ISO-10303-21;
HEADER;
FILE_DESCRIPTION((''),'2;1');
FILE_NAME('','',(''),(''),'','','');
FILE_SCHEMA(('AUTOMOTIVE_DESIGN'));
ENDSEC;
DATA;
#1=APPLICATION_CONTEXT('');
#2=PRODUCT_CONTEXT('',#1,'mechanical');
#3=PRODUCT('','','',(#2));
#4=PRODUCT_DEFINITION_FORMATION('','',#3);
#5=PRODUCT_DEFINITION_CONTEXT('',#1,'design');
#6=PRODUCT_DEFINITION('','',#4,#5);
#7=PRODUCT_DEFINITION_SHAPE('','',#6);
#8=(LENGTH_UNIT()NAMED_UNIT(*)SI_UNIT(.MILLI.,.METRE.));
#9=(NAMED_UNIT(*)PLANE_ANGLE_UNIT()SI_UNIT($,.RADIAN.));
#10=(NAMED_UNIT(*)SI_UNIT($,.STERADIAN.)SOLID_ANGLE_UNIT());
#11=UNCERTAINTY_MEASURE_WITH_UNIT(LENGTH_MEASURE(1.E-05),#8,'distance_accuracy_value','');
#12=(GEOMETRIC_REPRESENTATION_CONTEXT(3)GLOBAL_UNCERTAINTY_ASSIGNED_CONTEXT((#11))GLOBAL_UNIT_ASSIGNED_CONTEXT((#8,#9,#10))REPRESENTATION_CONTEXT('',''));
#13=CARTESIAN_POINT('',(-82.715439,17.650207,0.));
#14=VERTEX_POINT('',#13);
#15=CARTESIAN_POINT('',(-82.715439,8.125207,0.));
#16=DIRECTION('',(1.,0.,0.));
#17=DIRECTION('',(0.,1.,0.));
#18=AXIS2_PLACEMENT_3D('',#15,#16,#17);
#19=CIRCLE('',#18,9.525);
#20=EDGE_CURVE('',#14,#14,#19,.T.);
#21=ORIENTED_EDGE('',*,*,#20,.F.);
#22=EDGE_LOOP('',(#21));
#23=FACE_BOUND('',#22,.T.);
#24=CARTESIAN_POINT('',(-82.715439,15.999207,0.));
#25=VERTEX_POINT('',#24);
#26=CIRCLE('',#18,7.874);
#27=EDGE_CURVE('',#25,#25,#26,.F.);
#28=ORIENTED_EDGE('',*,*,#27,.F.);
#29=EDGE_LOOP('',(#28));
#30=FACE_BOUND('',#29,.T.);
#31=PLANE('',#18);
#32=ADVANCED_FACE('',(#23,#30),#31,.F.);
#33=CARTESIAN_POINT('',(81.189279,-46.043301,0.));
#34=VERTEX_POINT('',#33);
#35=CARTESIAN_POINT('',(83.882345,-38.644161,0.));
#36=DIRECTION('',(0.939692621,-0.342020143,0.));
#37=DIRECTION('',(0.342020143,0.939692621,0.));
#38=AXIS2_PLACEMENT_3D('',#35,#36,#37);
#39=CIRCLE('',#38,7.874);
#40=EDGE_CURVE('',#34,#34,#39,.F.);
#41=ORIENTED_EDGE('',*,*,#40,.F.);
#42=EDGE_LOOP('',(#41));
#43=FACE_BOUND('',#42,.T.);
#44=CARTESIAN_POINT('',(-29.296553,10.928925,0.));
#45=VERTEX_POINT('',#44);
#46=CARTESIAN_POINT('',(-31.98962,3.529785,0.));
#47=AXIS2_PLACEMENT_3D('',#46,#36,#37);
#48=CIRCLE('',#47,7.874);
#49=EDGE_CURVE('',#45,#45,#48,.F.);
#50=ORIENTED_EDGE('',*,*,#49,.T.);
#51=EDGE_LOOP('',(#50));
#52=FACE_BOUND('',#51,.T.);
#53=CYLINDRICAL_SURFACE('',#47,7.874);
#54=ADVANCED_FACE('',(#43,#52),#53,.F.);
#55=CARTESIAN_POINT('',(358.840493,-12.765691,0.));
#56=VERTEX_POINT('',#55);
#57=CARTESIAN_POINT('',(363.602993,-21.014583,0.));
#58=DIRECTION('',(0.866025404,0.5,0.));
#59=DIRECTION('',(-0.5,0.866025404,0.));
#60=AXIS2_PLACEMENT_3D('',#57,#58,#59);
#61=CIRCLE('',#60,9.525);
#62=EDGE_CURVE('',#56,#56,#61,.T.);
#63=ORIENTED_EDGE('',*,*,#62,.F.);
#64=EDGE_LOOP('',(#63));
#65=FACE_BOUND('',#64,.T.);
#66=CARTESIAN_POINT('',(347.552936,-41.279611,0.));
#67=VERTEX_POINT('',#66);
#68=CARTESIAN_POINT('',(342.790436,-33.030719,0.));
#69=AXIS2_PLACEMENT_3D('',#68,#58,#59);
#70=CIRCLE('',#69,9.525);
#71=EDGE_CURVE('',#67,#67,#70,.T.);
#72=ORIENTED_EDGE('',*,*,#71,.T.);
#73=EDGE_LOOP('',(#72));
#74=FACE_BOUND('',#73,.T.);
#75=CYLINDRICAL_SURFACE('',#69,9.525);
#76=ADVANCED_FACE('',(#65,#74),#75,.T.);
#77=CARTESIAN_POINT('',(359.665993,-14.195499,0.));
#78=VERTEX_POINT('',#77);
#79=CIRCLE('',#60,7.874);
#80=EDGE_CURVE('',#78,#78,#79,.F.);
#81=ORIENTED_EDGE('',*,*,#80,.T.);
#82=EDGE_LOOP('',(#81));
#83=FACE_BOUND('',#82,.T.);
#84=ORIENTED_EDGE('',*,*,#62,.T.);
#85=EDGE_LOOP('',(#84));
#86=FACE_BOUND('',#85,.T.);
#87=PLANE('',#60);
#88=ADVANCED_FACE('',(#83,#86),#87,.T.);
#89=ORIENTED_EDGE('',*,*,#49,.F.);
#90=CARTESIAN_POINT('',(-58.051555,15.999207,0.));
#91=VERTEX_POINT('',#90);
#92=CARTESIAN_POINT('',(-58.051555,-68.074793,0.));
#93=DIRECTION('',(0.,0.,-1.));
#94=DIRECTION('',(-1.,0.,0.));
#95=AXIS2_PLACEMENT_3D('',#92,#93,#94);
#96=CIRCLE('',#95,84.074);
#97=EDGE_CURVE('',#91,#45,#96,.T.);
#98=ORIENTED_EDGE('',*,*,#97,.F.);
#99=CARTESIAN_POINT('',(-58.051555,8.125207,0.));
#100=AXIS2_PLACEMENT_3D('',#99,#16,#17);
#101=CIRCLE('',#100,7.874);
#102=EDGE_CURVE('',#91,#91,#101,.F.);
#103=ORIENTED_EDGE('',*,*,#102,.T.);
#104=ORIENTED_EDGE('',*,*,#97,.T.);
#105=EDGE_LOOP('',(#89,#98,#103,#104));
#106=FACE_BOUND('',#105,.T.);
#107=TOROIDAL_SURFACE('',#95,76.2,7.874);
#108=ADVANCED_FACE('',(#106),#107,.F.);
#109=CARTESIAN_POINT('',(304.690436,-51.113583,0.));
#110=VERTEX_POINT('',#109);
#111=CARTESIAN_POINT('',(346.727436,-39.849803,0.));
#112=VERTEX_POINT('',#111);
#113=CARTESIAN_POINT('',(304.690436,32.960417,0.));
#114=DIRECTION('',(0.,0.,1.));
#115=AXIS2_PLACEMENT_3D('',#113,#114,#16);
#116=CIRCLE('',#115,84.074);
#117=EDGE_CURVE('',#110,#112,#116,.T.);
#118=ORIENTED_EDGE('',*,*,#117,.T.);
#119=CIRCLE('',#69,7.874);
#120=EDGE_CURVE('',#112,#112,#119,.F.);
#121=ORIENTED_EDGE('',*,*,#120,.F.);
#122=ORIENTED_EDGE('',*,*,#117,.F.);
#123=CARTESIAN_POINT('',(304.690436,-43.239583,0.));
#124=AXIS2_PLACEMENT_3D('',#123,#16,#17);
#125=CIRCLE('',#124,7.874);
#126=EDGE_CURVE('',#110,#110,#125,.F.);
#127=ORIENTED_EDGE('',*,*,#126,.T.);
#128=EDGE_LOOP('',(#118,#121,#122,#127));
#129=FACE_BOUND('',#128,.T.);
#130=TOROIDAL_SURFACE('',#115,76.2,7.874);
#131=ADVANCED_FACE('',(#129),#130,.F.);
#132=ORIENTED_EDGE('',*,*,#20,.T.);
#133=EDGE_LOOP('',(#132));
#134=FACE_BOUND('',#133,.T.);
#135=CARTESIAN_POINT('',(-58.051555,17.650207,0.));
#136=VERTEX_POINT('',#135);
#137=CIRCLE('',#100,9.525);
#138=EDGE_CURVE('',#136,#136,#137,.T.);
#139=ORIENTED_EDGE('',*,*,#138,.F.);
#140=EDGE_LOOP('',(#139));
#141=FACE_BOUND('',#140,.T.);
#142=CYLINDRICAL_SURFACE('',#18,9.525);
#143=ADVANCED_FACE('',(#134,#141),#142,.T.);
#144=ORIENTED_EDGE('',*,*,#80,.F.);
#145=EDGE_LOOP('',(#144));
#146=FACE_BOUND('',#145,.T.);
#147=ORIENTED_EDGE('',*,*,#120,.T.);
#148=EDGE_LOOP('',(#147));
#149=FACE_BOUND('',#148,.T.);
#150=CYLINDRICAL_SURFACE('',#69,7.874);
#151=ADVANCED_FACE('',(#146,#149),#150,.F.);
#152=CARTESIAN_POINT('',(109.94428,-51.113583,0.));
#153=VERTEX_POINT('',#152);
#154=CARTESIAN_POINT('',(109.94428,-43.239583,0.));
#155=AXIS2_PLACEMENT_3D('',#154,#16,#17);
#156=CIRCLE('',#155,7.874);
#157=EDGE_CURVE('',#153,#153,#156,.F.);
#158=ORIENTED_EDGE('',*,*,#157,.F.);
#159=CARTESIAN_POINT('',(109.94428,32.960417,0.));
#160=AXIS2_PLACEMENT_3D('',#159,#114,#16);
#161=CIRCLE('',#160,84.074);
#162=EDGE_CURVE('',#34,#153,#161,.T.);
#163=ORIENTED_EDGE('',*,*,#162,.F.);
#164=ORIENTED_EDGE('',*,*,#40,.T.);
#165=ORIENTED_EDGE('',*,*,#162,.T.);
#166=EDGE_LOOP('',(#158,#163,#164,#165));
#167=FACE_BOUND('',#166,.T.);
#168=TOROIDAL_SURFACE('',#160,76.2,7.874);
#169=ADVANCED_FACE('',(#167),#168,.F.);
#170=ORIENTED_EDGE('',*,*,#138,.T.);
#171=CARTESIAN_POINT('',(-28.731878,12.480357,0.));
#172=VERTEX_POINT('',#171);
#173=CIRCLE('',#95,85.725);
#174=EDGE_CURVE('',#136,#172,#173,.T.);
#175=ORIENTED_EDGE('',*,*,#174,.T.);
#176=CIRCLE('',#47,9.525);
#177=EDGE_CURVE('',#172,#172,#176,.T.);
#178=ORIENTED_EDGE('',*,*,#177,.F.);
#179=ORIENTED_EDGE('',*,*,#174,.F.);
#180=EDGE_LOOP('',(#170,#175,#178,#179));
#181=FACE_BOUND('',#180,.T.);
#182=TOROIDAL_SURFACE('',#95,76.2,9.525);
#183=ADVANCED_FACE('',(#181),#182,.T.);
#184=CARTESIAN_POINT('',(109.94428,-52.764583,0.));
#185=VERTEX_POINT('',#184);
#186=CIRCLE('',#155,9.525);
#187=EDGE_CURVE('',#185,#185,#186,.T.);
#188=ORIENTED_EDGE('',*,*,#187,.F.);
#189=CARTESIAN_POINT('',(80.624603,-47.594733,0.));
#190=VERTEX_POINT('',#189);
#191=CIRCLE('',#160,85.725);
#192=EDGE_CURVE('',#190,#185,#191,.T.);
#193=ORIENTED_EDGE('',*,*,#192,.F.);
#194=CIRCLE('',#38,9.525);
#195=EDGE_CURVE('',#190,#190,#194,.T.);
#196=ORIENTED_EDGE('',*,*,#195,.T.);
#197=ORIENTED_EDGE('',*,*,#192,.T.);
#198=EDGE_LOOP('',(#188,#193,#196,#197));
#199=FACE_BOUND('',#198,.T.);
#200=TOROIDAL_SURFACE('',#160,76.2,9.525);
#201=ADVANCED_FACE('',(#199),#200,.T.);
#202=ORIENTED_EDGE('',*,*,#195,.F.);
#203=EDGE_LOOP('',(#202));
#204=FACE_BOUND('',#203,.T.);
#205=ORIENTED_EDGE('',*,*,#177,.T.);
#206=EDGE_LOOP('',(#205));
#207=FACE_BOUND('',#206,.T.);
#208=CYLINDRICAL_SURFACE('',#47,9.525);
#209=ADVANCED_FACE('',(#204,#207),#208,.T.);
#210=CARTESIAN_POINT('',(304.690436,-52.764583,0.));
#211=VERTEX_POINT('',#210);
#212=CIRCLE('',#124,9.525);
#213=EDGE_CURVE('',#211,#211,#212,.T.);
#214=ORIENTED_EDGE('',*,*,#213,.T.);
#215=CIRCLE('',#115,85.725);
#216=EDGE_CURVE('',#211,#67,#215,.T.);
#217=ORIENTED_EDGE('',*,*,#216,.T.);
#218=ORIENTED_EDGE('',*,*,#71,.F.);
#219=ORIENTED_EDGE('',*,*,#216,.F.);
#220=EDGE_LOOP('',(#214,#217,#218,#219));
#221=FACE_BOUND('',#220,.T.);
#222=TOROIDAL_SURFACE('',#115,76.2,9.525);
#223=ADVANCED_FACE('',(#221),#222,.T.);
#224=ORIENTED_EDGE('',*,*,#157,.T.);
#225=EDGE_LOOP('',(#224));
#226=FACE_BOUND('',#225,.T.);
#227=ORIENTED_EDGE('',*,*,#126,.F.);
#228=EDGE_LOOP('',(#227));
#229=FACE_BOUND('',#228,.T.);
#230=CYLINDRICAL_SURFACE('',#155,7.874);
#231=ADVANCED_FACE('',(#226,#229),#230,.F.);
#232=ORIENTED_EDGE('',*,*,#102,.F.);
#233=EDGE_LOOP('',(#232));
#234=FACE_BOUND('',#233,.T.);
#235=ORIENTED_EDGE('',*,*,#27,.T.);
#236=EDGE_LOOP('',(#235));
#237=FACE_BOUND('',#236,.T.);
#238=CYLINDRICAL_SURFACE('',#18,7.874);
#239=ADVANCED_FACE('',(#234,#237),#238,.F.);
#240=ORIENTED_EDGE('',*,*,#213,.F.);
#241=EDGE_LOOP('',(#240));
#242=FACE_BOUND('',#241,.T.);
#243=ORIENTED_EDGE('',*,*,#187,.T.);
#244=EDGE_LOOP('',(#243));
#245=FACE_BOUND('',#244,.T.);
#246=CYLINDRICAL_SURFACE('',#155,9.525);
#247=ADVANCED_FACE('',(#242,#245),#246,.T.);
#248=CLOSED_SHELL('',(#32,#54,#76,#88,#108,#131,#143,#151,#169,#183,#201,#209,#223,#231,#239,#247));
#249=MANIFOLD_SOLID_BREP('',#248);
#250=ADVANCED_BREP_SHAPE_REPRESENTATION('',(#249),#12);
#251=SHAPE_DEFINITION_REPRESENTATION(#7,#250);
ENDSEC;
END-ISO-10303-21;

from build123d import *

# Parameters (mm, degrees)
SKETCH2_R   = 9.525
SKETCH2_R_2 = 7.874


with BuildPart() as part:
    # Sweep1: sweep along a path in Sketch1
    with BuildLine(Plane.XY) as sweep1_path:
        Line((-82.715438584, 8.125207387), (-58.051554514, 8.125207387))
        ThreePointArc((-58.051554514, 8.125207387), (-44.819563376, 6.967558166), (-31.989619593, 3.529785091))
        Line((-31.989619593, 3.529785091), (83.882345193, -38.644161077))
        ThreePointArc((83.882345193, -38.644161077), (96.712288976, -42.081934153), (109.944280114, -43.239583374))
        Line((109.944280114, -43.239583374), (304.690435721, -43.239583374))
        ThreePointArc((304.690435721, -43.239583374), (324.412446958, -40.643131337), (342.790435721, -33.030719142))
        Line((342.790435721, -33.030719142), (363.602993383, -21.014583374))
    # Sketch2 → Sweep1 (sweep)
    with BuildSketch(Plane(origin=(-82.715438584, 8.125207387, 0), x_dir=(0, 0, -1), z_dir=(1, 0, 0))):
        Circle(SKETCH2_R)
        Circle(SKETCH2_R_2, mode=Mode.SUBTRACT)
    sweep(path=sweep1_path.line)


solid = part.part
